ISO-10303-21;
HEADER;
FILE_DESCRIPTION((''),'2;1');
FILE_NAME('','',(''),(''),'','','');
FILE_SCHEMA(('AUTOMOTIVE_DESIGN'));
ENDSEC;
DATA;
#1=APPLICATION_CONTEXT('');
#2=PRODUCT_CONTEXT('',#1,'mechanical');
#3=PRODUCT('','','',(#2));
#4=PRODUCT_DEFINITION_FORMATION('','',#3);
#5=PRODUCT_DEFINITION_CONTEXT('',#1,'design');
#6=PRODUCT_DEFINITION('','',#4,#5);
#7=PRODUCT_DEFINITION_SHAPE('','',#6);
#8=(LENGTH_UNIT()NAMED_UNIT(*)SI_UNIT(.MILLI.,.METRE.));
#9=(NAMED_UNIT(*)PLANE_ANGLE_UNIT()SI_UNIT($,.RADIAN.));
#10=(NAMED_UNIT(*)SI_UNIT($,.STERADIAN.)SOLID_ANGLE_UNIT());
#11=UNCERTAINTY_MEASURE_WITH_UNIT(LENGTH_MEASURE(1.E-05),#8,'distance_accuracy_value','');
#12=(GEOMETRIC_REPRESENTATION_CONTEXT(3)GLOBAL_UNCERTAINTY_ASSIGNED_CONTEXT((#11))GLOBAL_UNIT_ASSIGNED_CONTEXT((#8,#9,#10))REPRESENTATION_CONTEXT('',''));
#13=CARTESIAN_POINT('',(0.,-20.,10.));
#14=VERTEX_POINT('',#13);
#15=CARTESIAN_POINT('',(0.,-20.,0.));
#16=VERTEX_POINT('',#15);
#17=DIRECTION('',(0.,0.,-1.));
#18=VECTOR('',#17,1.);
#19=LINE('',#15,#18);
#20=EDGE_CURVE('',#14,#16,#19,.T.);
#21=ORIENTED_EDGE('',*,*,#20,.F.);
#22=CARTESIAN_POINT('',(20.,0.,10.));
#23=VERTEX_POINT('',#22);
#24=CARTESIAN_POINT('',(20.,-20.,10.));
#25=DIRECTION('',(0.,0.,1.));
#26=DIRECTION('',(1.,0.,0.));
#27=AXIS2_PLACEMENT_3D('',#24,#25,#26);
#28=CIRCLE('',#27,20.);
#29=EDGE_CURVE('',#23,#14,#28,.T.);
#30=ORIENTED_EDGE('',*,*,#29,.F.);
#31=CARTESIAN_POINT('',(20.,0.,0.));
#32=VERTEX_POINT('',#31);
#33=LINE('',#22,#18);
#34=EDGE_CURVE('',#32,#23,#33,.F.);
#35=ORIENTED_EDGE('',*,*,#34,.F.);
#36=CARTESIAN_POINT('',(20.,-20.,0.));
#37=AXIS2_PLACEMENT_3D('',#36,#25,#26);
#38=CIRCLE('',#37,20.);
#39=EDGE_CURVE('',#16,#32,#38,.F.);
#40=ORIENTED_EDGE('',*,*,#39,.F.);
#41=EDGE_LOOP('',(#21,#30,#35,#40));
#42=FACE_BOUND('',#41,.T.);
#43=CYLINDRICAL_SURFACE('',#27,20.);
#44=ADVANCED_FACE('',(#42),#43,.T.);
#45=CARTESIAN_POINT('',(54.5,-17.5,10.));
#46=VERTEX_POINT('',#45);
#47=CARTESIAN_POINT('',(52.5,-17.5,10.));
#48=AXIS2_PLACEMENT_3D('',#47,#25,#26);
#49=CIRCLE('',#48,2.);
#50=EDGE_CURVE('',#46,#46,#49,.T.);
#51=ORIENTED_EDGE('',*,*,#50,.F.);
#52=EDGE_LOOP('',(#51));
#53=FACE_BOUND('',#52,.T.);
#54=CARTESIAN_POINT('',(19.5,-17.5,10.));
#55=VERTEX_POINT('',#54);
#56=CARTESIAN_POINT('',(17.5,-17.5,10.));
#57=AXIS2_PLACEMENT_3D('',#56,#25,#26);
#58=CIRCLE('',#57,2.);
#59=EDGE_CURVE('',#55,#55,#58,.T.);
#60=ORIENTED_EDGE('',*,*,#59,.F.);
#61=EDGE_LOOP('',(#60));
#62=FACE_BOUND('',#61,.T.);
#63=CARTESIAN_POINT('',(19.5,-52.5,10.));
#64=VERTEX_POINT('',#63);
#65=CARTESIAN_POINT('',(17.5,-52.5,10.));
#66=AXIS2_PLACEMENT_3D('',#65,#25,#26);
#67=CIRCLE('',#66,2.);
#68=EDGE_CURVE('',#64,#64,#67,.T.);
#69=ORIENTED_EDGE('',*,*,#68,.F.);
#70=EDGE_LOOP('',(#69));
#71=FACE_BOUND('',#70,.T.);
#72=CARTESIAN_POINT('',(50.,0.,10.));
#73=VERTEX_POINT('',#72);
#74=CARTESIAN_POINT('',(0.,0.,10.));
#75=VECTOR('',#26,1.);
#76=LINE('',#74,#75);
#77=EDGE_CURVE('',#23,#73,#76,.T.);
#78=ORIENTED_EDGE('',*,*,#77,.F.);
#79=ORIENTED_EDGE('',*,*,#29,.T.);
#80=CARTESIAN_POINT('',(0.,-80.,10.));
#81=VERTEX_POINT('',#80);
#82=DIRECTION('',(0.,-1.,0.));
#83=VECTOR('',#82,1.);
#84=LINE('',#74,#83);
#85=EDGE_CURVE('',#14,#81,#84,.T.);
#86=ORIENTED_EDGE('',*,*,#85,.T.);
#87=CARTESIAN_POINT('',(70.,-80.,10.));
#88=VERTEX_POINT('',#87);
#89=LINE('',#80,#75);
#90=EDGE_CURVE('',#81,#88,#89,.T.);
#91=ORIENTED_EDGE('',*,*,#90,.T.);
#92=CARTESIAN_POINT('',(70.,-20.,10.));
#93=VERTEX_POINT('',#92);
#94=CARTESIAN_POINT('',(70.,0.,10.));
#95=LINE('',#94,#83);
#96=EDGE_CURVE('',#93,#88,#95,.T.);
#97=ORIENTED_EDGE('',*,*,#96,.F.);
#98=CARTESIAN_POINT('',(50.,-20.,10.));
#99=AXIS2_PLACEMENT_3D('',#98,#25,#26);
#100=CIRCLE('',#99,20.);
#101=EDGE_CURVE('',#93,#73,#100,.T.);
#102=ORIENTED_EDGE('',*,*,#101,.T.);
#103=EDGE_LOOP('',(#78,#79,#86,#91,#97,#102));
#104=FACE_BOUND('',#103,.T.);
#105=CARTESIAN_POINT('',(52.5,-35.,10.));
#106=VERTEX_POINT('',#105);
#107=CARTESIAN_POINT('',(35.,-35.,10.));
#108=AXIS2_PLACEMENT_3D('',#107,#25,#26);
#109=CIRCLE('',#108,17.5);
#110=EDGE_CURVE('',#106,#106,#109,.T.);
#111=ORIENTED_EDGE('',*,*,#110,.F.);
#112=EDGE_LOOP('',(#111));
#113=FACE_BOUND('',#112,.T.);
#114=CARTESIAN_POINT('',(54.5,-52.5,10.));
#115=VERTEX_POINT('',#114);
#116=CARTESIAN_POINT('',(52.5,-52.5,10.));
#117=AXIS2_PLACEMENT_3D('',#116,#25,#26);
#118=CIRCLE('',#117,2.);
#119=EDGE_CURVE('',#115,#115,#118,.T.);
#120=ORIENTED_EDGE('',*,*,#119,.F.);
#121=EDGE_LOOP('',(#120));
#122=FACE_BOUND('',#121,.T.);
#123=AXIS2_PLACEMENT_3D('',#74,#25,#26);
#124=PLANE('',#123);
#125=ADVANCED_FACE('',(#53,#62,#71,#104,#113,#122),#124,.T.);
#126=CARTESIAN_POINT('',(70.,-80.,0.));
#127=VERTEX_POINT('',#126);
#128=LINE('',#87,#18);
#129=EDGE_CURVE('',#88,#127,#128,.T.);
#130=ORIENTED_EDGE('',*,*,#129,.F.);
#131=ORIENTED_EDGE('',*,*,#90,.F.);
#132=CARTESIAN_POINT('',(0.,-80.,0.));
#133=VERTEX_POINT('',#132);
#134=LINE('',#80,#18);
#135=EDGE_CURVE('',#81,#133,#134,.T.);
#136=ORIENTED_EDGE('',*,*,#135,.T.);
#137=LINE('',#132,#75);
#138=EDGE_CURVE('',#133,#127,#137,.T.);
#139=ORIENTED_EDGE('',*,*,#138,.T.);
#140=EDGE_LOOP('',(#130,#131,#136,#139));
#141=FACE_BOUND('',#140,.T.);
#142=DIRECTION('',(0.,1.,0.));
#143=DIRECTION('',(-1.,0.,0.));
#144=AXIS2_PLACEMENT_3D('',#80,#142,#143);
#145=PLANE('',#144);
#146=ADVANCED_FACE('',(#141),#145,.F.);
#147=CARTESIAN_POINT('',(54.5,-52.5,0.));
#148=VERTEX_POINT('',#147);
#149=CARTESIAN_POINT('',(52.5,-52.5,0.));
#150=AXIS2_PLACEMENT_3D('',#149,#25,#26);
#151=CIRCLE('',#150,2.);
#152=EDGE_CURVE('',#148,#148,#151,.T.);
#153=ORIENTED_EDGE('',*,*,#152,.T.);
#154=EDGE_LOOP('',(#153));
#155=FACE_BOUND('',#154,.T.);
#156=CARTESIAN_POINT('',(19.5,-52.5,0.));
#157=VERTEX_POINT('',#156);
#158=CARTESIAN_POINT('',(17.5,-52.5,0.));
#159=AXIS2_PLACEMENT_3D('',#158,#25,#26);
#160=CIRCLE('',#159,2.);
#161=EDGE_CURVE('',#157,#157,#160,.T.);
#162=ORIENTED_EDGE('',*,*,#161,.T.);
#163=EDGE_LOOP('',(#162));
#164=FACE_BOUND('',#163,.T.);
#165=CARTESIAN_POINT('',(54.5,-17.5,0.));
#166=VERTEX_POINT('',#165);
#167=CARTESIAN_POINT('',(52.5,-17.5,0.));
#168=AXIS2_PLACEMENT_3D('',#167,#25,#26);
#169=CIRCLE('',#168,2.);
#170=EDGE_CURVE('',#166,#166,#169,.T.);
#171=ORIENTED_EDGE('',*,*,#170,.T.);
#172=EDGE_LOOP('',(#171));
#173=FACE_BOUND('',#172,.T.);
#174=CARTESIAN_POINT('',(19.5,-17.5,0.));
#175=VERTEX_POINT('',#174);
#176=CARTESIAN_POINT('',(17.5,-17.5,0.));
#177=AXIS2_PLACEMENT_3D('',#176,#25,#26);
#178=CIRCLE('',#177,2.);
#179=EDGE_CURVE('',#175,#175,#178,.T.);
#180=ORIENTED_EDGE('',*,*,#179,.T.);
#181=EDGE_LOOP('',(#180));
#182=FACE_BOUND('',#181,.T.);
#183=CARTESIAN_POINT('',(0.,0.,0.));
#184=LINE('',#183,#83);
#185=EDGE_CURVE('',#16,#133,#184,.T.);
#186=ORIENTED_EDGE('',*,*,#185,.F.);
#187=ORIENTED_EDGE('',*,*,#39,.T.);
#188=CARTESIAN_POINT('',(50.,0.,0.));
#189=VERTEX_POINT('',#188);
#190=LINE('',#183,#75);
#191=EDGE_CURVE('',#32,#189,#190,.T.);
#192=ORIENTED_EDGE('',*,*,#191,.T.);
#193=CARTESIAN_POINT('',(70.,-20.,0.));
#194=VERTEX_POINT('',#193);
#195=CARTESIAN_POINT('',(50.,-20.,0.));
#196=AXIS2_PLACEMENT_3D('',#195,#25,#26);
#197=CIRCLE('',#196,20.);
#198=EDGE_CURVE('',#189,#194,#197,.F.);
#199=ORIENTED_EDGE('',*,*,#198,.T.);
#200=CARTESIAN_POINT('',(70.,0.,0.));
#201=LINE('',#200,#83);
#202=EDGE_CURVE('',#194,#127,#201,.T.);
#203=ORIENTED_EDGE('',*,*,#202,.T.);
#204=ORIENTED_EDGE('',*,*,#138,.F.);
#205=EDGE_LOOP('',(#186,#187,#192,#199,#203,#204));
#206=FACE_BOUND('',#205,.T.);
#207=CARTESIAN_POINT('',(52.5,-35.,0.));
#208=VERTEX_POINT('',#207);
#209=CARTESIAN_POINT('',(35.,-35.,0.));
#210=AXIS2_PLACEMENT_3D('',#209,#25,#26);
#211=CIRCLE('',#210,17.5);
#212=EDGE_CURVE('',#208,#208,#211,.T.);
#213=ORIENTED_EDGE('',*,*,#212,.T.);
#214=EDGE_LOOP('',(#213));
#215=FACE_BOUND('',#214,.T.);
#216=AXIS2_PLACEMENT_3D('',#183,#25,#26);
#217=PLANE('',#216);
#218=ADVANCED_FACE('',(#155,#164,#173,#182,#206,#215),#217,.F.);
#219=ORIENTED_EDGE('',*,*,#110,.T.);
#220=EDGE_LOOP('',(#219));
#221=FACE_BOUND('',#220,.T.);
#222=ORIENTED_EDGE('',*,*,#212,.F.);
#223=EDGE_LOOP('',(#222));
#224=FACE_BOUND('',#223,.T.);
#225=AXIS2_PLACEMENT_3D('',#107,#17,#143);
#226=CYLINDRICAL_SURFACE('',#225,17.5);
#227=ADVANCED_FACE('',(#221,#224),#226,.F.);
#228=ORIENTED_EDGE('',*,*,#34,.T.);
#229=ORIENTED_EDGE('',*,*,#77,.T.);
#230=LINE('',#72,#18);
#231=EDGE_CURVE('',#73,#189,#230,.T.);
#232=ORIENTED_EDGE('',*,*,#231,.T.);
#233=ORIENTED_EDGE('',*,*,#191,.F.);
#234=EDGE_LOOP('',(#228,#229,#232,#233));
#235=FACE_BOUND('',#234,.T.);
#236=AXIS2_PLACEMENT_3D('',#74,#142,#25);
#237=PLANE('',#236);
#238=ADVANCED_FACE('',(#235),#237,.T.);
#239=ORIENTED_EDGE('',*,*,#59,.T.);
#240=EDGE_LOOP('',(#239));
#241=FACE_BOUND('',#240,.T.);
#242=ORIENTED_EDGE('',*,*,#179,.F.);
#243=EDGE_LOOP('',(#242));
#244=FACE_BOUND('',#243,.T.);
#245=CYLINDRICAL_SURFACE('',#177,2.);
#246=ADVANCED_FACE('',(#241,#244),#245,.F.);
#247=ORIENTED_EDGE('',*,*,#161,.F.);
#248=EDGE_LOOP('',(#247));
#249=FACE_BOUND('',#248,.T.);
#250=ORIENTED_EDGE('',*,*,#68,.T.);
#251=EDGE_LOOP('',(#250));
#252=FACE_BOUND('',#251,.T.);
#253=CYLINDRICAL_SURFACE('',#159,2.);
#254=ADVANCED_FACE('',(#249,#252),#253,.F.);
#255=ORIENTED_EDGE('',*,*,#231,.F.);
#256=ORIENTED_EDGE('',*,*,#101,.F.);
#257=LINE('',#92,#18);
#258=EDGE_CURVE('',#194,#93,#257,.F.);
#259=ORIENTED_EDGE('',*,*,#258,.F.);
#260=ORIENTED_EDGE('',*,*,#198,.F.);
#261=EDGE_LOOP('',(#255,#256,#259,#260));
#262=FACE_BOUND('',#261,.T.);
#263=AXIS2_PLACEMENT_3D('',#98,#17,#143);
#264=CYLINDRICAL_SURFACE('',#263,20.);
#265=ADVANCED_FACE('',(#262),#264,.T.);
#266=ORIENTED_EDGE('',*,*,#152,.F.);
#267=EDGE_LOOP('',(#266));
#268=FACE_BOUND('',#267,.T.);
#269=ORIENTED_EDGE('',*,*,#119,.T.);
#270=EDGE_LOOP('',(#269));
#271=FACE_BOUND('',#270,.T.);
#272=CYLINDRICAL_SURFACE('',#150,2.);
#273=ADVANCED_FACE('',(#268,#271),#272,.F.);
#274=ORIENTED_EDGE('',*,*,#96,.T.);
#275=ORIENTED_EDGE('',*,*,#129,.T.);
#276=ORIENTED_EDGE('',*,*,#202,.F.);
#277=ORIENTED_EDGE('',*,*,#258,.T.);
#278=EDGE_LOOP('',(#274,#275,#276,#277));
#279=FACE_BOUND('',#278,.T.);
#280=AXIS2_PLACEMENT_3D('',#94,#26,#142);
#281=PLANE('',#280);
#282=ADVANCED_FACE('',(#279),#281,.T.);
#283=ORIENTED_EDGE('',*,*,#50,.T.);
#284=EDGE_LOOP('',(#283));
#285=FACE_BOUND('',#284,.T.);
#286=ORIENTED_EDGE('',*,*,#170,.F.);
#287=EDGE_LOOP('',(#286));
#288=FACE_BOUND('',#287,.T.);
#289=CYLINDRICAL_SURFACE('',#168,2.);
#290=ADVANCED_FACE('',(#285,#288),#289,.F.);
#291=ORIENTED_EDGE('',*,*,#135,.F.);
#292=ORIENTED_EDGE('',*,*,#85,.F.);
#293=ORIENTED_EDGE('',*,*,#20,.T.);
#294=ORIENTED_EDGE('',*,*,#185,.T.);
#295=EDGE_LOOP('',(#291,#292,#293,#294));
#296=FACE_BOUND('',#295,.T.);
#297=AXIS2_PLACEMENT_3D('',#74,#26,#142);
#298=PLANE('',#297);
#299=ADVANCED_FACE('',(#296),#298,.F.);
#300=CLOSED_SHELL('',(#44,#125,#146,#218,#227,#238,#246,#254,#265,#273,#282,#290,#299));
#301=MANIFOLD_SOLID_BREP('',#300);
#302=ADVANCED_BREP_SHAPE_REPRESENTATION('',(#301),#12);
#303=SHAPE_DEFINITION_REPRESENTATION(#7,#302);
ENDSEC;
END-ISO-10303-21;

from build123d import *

# Parameters (mm, degrees)
SKETCH1_W           = 70
SKETCH1_H           = 80
SKETCH1_R           = 17.5
BOSS_EXTRUDE1_DEPTH = 10
FILLET1_R           = 20
SKETCH2_R           = 2
CUT_EXTRUDE1_DEPTH  = 10


with BuildPart() as part:
    # Sketch1 → Boss-Extrude1 (new body)
    with BuildSketch(Plane.XY):
        with Locations((35, -40)):
            Rectangle(SKETCH1_W, SKETCH1_H)
        with Locations((35, -35)):
            Circle(SKETCH1_R, mode=Mode.SUBTRACT)
    extrude(amount=BOSS_EXTRUDE1_DEPTH)

    # Fillet1
    fillet1_edges = [part.edges().sort_by_distance(p)[0] for p in [
        (0, 0, 5),
        (70, 0, 5),
    ]]
    fillet(fillet1_edges, radius=FILLET1_R)

    # Sketch2 → Cut-Extrude1 (cut)
    with BuildSketch(Plane.XY.offset(10)):
        with Locations((17.5, -17.5)):
            Circle(SKETCH2_R)
        with Locations((52.5, -17.5)):
            Circle(SKETCH2_R)
        with Locations((52.5, -52.5)):
            Circle(SKETCH2_R)
        with Locations((17.5, -52.5)):
            Circle(SKETCH2_R)
    extrude(amount=-CUT_EXTRUDE1_DEPTH, mode=Mode.SUBTRACT)


solid = part.part
